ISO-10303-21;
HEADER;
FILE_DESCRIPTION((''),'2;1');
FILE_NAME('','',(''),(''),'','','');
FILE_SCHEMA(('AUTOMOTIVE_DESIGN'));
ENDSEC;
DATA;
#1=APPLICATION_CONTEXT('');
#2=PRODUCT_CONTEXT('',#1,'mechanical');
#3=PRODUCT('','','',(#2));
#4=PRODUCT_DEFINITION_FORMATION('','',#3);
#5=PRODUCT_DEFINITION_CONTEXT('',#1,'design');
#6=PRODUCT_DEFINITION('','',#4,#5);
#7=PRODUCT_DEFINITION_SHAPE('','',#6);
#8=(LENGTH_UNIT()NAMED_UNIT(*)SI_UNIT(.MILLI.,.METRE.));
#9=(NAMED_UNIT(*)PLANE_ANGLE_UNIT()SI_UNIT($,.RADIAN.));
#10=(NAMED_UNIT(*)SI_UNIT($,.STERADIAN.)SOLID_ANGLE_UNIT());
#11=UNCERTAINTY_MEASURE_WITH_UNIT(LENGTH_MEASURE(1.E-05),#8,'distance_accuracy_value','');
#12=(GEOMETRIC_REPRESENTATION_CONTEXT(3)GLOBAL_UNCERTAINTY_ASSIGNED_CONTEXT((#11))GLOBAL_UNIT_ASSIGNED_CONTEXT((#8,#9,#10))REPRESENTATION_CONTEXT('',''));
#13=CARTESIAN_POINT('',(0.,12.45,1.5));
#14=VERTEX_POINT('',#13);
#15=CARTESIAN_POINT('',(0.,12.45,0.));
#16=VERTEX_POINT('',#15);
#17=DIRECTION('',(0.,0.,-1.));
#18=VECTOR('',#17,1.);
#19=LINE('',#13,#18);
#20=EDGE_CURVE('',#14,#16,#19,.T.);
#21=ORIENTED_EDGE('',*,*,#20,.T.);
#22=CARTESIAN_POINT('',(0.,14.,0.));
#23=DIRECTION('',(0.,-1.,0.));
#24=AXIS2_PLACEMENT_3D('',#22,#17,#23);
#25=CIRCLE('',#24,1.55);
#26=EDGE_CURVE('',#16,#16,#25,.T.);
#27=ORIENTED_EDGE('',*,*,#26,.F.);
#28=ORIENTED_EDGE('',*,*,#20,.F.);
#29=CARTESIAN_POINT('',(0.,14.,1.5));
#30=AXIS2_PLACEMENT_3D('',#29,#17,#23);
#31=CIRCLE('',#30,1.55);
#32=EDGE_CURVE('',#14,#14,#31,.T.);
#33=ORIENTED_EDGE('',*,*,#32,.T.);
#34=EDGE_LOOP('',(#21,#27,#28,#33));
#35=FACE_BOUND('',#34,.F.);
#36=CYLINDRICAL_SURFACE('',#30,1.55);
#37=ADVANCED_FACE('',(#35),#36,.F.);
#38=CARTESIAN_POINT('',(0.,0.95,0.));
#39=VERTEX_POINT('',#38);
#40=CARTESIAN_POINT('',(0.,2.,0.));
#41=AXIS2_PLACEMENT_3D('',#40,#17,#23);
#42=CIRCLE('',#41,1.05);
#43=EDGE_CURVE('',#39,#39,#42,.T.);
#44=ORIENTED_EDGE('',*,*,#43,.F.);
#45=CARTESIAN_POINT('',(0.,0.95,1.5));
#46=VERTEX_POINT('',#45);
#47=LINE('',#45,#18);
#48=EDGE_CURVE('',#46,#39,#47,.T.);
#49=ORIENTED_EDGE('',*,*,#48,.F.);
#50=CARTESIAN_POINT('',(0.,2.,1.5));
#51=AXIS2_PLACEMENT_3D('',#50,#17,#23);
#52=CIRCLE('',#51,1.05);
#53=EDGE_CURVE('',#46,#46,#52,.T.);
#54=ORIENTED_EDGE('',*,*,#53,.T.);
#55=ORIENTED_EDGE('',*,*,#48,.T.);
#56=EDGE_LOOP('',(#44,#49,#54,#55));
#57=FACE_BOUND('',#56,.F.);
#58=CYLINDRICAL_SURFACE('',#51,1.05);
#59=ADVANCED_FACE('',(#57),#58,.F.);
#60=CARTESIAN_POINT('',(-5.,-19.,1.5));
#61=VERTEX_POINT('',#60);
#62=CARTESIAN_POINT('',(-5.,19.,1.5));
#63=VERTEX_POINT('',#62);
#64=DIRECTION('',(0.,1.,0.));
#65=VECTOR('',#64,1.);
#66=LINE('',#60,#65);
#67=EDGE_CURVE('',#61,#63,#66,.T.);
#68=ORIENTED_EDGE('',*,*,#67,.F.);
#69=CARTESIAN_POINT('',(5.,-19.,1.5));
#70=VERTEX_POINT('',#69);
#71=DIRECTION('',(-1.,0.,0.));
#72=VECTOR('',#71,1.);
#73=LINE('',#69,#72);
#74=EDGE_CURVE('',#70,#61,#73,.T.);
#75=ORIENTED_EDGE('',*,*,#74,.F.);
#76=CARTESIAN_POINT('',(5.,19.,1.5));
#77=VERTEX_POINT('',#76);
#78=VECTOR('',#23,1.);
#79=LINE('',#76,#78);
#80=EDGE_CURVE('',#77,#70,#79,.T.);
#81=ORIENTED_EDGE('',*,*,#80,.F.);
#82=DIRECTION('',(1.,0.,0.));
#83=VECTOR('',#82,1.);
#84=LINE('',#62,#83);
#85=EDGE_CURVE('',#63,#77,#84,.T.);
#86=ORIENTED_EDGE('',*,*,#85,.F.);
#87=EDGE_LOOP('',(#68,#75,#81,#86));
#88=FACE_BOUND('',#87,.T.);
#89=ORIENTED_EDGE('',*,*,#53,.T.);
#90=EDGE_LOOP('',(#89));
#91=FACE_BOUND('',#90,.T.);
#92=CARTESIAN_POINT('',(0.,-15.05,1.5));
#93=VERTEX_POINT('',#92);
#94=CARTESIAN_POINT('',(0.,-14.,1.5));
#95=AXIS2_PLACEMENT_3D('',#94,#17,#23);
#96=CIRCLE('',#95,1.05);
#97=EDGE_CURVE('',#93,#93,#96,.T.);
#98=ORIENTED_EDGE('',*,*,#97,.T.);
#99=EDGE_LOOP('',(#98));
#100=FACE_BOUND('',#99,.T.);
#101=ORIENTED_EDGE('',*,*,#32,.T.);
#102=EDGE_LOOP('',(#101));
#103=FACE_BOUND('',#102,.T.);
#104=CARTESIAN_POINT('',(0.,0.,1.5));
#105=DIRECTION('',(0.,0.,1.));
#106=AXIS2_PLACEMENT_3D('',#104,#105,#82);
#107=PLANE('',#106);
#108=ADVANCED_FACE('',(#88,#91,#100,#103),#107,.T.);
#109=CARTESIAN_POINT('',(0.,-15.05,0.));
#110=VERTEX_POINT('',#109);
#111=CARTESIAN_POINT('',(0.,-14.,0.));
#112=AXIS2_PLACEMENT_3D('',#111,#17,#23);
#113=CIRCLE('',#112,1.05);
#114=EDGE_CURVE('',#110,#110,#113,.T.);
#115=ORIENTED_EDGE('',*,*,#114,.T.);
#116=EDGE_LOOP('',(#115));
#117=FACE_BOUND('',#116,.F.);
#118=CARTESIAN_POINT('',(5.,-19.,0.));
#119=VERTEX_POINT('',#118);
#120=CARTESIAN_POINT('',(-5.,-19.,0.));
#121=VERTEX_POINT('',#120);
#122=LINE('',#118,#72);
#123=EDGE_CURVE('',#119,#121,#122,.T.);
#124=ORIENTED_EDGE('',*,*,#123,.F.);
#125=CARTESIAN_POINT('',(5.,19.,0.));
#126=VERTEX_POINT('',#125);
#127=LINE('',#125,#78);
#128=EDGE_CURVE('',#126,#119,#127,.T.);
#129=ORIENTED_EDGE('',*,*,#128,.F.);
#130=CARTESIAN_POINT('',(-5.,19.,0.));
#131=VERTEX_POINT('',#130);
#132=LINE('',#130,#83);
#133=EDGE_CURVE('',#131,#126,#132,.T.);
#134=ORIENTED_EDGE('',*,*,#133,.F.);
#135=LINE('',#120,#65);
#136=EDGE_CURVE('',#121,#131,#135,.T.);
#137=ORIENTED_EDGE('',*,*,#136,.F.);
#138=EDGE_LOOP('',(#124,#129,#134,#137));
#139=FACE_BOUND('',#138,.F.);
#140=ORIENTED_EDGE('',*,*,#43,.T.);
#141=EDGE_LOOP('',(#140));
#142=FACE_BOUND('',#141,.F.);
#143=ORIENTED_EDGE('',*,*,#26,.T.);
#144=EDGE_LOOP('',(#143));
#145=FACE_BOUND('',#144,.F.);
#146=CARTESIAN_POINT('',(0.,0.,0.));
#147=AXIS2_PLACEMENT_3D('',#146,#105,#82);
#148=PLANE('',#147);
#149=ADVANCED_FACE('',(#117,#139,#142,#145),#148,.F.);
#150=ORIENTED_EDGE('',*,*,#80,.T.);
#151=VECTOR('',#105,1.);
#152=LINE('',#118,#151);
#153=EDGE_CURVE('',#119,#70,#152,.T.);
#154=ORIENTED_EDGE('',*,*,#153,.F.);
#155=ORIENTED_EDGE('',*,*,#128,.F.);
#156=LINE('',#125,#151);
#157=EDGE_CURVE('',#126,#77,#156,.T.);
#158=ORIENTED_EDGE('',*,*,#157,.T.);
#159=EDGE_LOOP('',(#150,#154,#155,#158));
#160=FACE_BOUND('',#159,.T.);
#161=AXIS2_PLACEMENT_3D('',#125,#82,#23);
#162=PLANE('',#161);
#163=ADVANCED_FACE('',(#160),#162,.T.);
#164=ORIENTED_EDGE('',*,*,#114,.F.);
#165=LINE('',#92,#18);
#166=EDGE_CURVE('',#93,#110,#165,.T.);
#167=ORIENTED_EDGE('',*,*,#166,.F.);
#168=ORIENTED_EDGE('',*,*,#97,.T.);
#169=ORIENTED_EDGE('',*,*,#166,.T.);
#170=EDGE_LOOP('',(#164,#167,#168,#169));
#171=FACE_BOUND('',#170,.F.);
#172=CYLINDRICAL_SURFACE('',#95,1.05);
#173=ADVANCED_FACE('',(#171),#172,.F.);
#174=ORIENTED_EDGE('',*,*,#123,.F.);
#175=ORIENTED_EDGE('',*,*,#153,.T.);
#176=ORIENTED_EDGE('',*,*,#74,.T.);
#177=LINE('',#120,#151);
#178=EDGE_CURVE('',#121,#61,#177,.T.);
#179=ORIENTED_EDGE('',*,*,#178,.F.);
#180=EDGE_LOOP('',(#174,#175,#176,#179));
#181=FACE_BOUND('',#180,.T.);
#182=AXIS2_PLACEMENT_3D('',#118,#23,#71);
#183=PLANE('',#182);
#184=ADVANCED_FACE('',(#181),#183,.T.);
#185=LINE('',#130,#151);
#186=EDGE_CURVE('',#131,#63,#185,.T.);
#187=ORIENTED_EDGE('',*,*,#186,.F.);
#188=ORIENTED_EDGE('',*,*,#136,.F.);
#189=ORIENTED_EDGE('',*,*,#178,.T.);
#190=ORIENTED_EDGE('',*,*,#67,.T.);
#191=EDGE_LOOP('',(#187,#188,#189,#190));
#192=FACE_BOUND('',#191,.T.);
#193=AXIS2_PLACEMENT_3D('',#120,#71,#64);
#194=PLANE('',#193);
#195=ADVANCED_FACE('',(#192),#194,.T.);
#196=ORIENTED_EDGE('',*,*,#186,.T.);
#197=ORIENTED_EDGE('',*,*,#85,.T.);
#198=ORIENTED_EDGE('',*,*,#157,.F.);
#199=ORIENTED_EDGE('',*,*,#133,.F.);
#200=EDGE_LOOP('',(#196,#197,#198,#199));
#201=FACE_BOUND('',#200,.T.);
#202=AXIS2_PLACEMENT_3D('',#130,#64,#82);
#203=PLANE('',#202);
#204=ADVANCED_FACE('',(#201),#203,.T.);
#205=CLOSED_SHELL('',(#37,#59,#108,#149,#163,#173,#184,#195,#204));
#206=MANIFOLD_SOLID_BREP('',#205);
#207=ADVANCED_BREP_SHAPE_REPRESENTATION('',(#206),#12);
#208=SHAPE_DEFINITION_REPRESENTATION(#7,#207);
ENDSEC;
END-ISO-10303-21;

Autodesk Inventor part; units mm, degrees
ref_plane "YZ Plane" through (0, 0, 0) normal (1, 0, 0) x (0, 1, 0)
ref_plane "XZ Plane" through (0, 0, 0) normal (0, 1, 0) x (-1, 0, 0)
ref_plane "XY Plane" through (0, 0, 0) normal (0, 0, 1) x (1, 0, 0)
sketch "スケッチ1" plane through (0, 0, 0) normal (0, 0, 1) x (1, 0, 0)
  line L0 (-5, 19) -> (5, 19)
  line L1 (5, 19) -> (5, -19)
  line L2 (5, -19) -> (-5, -19)
  line L3 (-5, -19) -> (-5, 19)
  line L4 (-5, 19) -> (5, -19) construction
  line L5 (5, 19) -> (-5, -19) construction
  point P0 (0, 0)
  dimension "d0" = 10
  dimension "d1" = 38
extrude "押し出し1" add sketch "スケッチ1" along normal blind 1.5
sketch "スケッチ2" plane through (0, 0, 1.5) normal (0, 0, 1) x (1, 0, 0)
  line L0 (5, 19) -> (-5, 19) projected
  line L1 (5, -19) -> (5, 19) projected
  line L2 (-5, -19) -> (5, -19) projected
  point P0 (0, 0)
  point P1 (0, -14)
  point P2 (0, 2)
  dimension "d6" = 5
  dimension "d7" = 5
  dimension "d8" = 16
hole "穴1" at (0, -14, 1.5) at (0, 2, 1.5) direction (0, 0, -1) diameter 2.1 end through all
sketch "スケッチ3" plane through (0, 0, 1.5) normal (0, 0, 1) x (1, 0, 0)
  line L0 (5, 19) -> (-5, 19) projected
  line L1 (5, -19) -> (5, 19) projected
  point P0 (0, 0)
  point P1 (0, 14)
  dimension "d16" = 5
  dimension "d17" = 5
hole "穴2" at (0, 14, 1.5) direction (0, 0, -1) diameter 3.1 end through all
properties part number "servo catch front c"
